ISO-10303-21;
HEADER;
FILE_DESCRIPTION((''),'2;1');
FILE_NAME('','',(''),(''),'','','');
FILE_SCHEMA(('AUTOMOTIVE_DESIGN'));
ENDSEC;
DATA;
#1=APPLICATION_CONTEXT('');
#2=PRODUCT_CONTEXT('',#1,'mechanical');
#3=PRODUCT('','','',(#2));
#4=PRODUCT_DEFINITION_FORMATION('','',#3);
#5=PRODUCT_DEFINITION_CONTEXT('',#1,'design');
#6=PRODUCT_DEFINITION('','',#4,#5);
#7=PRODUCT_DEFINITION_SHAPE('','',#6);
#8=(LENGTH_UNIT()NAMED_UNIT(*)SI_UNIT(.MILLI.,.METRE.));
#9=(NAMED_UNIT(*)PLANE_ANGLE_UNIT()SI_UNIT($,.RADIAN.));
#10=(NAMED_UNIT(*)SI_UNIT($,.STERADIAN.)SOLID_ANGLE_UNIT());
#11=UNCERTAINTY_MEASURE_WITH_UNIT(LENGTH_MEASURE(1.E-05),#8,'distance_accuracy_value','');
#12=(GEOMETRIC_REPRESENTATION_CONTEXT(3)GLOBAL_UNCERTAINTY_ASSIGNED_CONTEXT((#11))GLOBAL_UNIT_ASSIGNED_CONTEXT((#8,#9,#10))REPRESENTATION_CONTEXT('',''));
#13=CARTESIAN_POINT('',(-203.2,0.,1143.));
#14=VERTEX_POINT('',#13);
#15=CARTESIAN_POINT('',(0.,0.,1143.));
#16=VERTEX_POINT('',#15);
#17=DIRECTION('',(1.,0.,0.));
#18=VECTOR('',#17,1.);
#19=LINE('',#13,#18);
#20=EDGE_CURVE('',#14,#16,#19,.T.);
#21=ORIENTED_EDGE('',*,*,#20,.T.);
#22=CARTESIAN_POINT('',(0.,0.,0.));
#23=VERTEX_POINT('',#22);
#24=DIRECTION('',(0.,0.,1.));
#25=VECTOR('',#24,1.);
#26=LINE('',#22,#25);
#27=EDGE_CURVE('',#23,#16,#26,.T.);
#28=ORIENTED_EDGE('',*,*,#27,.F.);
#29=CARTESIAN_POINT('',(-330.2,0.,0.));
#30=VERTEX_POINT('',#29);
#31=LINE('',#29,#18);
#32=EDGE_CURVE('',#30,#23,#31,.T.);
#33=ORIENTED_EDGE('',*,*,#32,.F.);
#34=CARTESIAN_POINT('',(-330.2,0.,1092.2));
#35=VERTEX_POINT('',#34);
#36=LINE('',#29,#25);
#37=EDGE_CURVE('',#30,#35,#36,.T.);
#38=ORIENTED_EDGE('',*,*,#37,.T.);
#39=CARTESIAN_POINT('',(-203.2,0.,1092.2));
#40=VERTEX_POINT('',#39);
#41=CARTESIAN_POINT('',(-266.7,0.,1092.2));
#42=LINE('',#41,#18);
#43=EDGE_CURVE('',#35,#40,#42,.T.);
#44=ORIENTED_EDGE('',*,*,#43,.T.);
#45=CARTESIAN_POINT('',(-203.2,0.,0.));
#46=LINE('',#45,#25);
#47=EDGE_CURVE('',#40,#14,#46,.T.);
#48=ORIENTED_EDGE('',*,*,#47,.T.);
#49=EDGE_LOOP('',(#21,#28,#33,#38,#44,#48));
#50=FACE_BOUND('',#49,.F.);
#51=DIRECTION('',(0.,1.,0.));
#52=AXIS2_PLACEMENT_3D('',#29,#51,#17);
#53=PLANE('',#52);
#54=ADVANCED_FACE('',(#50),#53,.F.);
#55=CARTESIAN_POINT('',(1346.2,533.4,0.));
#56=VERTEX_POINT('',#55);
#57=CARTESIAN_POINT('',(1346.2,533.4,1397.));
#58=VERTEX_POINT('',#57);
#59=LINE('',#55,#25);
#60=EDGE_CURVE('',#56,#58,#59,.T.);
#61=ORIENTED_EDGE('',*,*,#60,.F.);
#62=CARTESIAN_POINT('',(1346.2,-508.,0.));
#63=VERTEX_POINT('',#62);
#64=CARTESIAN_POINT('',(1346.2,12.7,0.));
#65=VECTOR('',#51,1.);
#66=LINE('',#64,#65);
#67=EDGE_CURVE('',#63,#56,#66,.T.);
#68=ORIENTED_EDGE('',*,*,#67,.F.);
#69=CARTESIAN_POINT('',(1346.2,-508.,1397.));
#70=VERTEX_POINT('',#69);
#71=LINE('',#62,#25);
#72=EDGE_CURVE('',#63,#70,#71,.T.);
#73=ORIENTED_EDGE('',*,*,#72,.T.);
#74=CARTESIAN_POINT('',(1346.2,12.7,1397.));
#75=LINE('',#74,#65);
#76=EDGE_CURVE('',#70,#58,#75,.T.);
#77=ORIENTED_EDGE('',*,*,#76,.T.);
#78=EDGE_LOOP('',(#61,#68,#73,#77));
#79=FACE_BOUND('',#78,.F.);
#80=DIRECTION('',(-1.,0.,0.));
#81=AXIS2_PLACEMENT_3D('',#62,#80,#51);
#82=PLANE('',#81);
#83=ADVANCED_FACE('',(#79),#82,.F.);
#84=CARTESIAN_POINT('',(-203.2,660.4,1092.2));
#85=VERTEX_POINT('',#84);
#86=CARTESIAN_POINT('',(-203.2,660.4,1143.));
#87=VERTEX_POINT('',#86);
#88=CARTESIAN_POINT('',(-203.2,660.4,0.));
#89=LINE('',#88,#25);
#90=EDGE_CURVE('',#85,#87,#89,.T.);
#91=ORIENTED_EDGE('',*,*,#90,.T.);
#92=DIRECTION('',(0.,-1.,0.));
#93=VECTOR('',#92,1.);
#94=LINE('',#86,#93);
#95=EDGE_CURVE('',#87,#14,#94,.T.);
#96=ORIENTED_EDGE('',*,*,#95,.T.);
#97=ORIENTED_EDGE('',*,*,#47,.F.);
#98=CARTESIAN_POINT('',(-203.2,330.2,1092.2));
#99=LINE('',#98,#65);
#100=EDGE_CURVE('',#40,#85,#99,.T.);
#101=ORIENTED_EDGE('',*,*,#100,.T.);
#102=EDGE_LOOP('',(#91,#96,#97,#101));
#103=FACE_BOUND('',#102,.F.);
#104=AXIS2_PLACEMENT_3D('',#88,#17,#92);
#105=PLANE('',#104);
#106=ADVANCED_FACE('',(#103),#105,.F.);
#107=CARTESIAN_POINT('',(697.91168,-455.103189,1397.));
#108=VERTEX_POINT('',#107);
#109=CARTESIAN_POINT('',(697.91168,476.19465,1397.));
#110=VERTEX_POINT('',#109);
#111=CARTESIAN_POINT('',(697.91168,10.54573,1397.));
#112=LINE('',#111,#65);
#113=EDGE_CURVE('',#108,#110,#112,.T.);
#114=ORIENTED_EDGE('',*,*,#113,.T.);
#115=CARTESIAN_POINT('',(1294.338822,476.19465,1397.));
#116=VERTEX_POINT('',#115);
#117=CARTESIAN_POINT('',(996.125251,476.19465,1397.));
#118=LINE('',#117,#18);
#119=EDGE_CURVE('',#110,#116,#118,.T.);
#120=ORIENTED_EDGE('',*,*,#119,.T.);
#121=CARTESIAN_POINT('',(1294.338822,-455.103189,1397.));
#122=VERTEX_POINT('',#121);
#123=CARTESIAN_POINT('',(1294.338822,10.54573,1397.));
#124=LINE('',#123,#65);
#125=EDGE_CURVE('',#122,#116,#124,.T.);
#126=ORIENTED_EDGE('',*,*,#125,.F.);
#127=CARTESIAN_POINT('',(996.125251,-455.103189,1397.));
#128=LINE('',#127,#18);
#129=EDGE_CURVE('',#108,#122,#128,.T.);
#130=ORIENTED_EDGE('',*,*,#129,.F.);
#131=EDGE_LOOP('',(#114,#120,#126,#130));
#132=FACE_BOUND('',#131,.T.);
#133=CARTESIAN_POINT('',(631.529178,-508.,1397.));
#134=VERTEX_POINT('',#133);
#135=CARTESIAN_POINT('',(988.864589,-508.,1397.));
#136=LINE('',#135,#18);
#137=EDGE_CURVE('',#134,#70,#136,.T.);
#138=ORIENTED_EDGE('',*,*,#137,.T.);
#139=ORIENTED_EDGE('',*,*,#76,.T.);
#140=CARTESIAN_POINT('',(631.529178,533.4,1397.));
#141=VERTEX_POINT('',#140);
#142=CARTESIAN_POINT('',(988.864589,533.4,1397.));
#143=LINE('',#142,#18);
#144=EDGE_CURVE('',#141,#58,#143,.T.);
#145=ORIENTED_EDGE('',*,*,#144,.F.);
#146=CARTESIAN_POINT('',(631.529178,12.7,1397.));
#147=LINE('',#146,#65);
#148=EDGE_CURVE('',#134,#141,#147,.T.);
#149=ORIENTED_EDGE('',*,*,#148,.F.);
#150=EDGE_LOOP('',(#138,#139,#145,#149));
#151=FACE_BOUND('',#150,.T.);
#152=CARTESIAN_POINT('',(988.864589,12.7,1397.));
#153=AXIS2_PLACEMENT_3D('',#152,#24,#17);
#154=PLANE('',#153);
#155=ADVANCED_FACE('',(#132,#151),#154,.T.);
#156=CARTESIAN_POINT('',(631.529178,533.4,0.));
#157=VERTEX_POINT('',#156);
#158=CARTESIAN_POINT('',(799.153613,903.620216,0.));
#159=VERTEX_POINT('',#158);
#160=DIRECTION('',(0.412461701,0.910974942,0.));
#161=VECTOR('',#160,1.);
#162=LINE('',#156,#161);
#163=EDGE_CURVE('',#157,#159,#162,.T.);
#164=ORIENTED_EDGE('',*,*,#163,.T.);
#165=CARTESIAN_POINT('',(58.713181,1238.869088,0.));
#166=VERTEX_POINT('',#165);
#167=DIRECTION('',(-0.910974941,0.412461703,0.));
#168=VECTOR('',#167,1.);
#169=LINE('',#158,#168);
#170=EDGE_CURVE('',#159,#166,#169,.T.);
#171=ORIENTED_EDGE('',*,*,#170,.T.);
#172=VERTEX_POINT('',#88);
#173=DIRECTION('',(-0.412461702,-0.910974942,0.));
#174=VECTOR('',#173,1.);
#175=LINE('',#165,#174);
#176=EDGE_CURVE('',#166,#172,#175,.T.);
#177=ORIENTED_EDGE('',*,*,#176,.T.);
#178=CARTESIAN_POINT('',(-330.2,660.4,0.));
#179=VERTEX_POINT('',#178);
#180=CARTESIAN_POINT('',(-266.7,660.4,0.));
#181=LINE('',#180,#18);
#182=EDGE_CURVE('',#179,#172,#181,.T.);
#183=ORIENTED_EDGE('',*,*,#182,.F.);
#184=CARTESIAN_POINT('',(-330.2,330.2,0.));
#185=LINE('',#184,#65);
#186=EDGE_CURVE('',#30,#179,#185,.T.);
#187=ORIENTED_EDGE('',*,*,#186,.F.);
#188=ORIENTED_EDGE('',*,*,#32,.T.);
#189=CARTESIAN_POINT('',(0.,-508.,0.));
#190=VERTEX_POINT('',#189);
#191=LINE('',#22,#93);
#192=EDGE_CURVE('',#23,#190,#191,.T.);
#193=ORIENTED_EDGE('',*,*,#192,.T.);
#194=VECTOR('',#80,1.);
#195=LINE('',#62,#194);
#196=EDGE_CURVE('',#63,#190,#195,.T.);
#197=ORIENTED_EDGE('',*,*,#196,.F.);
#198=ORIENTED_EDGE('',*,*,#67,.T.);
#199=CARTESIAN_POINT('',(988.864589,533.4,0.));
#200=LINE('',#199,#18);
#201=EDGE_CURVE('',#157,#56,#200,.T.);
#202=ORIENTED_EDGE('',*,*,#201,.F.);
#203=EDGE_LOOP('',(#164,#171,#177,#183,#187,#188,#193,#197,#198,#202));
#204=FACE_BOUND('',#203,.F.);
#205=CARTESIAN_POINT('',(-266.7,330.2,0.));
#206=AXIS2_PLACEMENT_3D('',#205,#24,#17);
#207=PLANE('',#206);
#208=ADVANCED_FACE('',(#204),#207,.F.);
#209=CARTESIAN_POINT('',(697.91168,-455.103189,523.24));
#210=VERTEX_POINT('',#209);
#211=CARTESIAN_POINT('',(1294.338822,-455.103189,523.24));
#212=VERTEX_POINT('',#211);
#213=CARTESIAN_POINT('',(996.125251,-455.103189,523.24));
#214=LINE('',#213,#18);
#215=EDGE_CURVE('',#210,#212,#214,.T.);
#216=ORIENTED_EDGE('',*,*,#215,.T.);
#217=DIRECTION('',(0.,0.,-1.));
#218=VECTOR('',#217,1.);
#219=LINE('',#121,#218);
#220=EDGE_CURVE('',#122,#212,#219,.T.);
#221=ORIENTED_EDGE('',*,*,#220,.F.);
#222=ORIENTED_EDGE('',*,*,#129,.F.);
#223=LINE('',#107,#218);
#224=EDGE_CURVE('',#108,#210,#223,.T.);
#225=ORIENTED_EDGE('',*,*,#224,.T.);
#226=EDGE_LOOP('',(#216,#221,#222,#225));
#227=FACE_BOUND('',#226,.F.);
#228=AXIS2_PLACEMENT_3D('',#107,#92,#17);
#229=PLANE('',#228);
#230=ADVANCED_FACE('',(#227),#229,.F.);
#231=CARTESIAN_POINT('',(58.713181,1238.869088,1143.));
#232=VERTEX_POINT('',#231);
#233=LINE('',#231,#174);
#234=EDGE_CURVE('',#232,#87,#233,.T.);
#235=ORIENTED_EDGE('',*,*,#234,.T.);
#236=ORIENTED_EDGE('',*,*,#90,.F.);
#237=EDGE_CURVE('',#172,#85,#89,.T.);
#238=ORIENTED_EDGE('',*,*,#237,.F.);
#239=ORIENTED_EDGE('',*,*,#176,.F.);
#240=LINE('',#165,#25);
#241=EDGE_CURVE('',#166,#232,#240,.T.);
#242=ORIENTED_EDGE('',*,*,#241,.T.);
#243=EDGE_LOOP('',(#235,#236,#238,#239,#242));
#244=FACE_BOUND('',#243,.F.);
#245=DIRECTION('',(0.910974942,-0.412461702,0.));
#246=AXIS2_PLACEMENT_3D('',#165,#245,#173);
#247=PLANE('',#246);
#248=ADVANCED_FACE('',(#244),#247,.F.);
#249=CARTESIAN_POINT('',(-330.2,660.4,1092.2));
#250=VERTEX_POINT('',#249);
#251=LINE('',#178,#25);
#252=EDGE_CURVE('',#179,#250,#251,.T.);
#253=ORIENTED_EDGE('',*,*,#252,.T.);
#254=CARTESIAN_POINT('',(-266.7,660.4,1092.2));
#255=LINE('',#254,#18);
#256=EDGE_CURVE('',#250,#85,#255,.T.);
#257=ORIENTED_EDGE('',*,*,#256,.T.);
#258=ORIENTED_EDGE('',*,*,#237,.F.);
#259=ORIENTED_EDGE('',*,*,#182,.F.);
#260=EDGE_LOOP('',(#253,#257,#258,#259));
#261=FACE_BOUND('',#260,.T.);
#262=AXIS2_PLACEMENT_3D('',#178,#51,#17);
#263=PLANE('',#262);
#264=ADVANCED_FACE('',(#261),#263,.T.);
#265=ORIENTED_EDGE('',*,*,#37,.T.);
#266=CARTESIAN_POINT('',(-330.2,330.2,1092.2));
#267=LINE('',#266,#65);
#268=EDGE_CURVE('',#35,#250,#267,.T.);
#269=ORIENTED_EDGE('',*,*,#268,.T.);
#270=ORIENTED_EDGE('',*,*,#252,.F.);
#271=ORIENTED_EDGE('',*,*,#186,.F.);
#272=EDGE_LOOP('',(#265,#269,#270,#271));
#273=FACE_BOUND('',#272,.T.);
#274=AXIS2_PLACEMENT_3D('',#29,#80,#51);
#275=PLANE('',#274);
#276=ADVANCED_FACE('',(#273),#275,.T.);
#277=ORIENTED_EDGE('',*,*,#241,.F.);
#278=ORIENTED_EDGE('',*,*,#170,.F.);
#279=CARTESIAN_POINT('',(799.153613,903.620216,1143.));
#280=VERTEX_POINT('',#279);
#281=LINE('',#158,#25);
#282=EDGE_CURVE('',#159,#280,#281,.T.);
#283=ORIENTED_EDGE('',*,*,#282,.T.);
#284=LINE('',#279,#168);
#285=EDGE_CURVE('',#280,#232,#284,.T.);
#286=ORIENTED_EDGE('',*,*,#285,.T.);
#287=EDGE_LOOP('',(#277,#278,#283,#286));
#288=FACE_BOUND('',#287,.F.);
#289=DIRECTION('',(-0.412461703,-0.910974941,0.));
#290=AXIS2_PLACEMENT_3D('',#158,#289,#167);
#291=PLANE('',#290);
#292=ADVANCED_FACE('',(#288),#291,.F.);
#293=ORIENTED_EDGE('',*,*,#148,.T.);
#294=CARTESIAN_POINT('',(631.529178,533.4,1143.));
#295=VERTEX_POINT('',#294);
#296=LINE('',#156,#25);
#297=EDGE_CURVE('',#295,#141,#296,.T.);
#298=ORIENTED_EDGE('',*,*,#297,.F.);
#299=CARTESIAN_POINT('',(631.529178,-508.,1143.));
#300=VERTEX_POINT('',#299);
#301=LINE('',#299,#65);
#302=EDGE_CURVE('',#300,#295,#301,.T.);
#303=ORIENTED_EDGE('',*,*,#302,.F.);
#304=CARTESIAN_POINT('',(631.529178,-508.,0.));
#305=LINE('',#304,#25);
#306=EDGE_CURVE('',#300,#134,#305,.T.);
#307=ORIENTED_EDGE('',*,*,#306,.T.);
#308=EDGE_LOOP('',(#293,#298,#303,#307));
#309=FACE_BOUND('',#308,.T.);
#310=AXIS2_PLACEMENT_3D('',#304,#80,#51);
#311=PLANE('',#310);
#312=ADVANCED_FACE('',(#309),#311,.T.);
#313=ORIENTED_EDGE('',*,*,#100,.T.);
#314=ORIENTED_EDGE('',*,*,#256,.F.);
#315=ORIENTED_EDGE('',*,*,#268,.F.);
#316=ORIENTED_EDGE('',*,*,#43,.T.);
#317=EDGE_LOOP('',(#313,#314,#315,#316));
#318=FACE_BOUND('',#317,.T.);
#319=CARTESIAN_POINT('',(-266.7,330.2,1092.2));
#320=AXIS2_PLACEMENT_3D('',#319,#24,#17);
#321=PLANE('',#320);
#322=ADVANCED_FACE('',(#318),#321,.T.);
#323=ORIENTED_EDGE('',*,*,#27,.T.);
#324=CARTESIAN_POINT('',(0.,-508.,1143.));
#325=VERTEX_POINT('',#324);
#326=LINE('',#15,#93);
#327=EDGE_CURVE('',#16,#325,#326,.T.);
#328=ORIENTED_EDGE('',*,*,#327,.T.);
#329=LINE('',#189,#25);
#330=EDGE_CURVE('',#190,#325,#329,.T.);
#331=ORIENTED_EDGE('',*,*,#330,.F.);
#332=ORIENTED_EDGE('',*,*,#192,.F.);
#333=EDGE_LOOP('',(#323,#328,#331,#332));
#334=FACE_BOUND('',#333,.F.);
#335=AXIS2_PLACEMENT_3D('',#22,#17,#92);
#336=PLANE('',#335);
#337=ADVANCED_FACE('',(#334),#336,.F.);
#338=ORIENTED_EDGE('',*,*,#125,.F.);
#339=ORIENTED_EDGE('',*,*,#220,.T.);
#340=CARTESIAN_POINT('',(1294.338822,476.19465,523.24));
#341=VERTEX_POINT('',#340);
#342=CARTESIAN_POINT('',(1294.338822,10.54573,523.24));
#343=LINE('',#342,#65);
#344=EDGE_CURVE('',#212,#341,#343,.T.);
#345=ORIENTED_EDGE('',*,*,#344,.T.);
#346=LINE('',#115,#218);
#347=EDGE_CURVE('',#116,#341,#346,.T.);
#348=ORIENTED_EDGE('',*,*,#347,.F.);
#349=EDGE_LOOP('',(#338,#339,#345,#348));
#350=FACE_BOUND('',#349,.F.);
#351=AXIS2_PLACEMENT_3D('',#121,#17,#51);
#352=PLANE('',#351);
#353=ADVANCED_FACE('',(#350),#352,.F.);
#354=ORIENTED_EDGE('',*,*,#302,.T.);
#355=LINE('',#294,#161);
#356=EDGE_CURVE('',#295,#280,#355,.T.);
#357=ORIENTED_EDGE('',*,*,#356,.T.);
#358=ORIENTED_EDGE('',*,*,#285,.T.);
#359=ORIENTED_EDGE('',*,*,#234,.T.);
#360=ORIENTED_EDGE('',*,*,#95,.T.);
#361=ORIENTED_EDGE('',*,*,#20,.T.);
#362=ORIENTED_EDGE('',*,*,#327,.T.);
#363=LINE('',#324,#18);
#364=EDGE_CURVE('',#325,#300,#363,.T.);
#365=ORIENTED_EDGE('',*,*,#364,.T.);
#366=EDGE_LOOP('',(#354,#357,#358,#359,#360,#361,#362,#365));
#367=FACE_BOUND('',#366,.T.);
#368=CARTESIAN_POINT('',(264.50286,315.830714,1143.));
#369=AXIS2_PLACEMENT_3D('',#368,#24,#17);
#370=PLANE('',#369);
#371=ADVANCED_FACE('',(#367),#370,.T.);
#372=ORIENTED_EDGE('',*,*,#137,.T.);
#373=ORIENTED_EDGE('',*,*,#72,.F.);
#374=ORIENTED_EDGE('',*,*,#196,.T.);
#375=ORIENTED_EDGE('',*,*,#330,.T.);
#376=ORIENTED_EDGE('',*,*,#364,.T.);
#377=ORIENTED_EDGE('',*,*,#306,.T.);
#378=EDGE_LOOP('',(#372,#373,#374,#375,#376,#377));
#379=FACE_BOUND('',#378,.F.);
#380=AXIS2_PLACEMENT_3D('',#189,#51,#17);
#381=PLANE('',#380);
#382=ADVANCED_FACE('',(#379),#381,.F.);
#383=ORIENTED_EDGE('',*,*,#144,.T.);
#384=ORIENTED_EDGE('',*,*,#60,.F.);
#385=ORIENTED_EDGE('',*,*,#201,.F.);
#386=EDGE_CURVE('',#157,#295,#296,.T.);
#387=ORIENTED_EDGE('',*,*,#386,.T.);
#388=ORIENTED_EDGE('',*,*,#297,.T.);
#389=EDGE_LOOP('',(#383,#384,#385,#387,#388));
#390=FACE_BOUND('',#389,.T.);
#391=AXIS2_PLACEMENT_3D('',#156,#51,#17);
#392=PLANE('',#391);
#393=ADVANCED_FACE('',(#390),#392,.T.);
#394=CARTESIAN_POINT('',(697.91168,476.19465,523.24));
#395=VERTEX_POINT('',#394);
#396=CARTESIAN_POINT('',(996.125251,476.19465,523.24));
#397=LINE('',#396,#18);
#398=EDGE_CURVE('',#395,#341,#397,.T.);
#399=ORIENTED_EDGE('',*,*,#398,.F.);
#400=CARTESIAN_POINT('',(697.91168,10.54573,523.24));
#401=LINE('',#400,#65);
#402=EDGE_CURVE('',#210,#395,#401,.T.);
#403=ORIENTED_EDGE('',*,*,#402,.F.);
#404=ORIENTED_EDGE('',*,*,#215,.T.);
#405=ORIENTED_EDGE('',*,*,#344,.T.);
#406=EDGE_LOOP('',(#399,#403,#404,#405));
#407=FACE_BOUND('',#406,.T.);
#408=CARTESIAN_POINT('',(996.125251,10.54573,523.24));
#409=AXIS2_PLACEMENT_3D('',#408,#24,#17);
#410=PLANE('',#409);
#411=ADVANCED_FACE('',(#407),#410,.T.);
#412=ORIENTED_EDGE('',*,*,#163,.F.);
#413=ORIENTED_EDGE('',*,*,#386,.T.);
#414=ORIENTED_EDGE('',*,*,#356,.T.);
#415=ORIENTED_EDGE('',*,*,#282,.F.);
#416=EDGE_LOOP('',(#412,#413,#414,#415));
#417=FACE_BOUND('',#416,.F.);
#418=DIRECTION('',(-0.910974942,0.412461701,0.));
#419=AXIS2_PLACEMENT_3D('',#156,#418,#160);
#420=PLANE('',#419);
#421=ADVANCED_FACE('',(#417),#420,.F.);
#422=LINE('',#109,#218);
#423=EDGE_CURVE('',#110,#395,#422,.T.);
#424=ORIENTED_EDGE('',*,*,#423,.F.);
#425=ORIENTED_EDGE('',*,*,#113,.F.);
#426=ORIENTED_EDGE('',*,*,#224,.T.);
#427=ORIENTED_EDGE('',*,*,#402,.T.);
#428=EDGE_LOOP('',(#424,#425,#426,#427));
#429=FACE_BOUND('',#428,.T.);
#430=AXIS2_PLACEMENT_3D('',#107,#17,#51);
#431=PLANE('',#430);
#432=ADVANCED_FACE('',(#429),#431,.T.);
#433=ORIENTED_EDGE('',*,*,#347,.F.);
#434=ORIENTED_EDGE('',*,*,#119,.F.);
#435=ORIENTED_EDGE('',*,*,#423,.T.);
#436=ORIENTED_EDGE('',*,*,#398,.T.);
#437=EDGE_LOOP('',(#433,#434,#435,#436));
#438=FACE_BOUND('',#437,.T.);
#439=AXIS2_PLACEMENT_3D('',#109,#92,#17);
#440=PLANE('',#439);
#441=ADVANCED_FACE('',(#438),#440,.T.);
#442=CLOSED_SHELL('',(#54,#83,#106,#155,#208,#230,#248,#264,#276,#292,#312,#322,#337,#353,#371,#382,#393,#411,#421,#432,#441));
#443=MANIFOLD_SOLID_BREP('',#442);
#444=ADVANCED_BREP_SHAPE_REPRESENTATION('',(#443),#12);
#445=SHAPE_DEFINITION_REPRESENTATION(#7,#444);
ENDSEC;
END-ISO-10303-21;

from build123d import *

# Parameters (mm, degrees)
F0_W     = 714.670822
F0_H     = 1041.4
F1_DEPTH = 1397
F2_DEPTH = 1143
F0_W_2   = 127
F0_H_2   = 660.4
F3_DEPTH = 1092.2
F4_W     = 596.427142
F4_H     = 931.297839
F5_DEPTH = 873.76


with BuildPart() as f1:
    # F0 (on Top) → F1 (new body)
    with BuildSketch(Plane.XY):
        with Locations((988.864589, 12.7)):
            Rectangle(F0_W, F0_H)
    extrude(amount=F1_DEPTH)

    # F0 (on Top) → F2 (join)
    with BuildSketch(Plane.XY):
        Polygon((-203.2, 0), (0, 0), (0, -508), (631.529178, -508), (631.529178, 533.4), (799.153613, 903.620216), (58.713181, 1238.869088), (-203.2, 660.4), align=None)
    extrude(amount=F2_DEPTH)

    # F0 (on Top) → F3 (join)
    with BuildSketch(Plane.XY):
        with Locations((-266.7, 330.2)):
            Rectangle(F0_W_2, F0_H_2)
    extrude(amount=F3_DEPTH)

    # F4 (on face) → F5 (cut)
    with BuildSketch(Plane.XY.offset(1397)):
        with Locations((996.125251, 10.54573)):
            Rectangle(F4_W, F4_H)
    extrude(amount=-F5_DEPTH, mode=Mode.SUBTRACT)


solid = f1.part
